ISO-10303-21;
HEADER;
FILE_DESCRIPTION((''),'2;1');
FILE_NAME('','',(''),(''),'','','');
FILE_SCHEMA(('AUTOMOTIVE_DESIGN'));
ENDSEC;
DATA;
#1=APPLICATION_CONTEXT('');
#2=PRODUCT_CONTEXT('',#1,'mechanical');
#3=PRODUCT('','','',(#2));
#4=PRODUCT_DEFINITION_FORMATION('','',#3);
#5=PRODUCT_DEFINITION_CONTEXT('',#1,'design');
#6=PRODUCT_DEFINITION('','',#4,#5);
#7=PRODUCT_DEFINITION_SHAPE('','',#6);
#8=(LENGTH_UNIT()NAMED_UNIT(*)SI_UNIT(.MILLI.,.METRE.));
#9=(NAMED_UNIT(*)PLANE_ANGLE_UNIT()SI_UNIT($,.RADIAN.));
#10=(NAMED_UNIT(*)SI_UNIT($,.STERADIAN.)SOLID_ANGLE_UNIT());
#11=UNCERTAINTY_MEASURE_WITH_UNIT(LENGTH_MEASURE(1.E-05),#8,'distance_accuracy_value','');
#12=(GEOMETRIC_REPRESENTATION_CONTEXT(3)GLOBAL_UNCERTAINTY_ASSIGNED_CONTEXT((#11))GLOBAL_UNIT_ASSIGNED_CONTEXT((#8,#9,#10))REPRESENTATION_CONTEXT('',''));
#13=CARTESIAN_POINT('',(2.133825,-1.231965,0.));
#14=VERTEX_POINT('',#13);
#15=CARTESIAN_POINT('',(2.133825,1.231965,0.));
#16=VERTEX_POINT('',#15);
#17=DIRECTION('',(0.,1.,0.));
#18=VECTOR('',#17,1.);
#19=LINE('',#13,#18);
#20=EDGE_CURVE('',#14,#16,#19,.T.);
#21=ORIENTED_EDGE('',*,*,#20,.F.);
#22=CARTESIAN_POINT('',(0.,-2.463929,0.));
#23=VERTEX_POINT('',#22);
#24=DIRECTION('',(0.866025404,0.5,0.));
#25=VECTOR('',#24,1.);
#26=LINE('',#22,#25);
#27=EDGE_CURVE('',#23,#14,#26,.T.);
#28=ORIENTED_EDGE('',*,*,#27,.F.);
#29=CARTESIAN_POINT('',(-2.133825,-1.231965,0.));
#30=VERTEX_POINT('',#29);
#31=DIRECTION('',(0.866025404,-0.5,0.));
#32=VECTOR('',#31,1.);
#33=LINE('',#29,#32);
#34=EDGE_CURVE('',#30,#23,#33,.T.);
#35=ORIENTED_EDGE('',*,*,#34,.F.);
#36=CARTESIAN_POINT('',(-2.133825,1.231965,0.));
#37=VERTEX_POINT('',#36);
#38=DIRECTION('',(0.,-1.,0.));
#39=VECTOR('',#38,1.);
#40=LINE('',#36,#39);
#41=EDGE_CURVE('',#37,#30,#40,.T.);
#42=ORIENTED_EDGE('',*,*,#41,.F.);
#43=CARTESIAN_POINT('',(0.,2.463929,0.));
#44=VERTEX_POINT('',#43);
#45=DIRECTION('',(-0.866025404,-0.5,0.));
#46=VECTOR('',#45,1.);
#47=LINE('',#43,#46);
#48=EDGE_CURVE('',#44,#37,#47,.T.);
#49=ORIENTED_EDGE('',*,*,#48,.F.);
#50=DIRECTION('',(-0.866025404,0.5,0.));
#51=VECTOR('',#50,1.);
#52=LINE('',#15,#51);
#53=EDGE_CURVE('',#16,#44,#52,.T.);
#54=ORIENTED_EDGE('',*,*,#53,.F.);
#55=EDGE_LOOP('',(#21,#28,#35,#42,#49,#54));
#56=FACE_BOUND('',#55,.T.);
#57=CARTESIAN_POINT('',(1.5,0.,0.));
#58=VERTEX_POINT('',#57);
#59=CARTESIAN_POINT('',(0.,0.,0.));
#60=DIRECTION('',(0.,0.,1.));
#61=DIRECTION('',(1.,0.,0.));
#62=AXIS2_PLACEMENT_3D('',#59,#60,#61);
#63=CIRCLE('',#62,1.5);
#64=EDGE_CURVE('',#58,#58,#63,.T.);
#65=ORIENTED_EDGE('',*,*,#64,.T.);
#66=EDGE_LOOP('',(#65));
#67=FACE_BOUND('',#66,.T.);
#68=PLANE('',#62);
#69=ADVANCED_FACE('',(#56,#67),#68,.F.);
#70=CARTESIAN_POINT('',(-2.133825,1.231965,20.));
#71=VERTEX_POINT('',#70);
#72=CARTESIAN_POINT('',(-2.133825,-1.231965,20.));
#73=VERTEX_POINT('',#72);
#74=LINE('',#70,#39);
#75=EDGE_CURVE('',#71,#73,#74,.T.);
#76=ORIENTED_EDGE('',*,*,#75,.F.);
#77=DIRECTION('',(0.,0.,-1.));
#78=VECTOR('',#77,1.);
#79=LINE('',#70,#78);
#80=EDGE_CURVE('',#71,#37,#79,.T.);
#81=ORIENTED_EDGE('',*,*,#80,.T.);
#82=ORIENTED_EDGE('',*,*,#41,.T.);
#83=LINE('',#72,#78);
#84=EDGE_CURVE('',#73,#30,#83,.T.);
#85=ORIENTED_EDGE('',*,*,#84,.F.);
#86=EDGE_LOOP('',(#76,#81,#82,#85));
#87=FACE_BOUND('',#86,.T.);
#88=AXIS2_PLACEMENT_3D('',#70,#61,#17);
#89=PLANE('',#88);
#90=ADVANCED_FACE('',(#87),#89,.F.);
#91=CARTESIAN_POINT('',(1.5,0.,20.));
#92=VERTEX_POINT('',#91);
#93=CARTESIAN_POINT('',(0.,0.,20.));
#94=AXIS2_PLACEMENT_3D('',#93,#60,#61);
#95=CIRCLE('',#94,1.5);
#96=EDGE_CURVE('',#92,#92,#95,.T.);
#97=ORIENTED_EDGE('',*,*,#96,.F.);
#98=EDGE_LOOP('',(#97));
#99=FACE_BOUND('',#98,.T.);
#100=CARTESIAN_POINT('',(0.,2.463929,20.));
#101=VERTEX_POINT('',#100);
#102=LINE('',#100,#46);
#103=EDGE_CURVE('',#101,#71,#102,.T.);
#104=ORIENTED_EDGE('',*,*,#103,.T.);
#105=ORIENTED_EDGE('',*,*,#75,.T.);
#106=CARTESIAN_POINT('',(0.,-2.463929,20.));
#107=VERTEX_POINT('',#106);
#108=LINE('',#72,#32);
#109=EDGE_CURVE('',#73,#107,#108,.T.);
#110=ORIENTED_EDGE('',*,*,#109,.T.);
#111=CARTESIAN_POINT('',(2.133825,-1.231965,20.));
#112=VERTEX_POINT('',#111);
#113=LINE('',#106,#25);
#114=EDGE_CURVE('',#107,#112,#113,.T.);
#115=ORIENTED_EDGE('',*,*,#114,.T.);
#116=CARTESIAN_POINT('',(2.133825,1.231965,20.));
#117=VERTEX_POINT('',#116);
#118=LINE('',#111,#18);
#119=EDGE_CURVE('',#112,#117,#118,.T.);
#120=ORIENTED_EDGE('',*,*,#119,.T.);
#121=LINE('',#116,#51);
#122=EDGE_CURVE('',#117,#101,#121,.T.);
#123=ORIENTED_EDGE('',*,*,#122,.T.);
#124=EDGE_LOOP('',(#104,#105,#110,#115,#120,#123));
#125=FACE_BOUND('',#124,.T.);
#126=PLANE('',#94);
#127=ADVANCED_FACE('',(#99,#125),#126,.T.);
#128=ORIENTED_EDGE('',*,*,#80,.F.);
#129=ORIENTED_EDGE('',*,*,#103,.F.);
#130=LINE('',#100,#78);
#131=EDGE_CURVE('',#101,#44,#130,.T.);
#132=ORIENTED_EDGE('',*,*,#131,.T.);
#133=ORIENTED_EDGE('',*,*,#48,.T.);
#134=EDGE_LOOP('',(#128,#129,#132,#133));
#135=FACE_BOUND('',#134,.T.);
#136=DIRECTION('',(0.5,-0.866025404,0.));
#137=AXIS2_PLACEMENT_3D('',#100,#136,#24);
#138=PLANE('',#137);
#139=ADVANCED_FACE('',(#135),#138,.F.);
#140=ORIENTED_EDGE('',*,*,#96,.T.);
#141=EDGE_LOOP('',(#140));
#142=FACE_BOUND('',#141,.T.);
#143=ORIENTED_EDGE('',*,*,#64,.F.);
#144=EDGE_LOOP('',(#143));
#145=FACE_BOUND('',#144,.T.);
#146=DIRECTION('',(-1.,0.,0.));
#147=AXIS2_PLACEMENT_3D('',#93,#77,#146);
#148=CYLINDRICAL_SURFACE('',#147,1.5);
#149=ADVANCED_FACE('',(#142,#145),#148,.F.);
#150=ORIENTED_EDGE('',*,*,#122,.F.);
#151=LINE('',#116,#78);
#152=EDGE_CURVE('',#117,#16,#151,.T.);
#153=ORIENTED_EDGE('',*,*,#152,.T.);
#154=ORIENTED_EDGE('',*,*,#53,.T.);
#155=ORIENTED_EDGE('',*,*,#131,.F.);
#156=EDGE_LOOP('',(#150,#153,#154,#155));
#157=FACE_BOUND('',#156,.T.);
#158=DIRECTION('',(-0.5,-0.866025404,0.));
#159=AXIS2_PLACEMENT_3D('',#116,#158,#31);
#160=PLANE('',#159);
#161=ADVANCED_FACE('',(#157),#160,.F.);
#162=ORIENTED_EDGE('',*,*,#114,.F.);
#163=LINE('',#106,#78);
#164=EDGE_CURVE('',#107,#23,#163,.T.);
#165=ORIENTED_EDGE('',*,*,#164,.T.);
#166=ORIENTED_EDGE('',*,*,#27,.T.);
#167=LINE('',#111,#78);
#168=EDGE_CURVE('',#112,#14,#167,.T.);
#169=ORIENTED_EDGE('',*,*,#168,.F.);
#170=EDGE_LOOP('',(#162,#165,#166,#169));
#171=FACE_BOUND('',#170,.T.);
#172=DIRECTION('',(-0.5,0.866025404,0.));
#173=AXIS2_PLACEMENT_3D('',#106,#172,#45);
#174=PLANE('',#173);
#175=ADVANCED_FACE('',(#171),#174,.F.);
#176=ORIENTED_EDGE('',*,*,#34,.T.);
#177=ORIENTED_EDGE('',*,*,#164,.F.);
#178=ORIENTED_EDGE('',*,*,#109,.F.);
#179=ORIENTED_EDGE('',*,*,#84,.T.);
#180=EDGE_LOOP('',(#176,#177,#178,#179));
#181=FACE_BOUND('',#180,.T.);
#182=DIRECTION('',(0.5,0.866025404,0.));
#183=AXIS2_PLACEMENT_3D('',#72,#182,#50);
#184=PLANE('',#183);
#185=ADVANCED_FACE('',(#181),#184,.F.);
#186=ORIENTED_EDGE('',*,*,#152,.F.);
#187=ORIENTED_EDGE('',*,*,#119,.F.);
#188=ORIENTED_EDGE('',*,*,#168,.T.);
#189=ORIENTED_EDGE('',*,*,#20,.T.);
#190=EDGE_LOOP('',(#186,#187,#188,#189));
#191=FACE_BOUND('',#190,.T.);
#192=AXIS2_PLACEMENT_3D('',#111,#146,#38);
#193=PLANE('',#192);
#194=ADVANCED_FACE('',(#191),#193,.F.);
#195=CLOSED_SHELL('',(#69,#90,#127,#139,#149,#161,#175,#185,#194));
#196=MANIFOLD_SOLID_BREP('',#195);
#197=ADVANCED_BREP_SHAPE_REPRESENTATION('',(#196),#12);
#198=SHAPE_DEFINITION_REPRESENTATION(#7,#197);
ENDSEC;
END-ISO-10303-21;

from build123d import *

# Parameters (mm, degrees)
SKETCH_1_R      = 1.5
EXTRUDE_1_DEPTH = 20


with BuildPart() as part:
    # 草图1 → 凸台-拉伸1 (new body)
    with BuildSketch(Plane.XY):
        Polygon((0, 2.463929225), (-2.133825302, 1.231964612), (-2.133825302, -1.231964612), (0, -2.463929225), (2.133825302, -1.231964612), (2.133825302, 1.231964612), align=None)
        Circle(SKETCH_1_R, mode=Mode.SUBTRACT)
    extrude(amount=EXTRUDE_1_DEPTH)


solid = part.part
